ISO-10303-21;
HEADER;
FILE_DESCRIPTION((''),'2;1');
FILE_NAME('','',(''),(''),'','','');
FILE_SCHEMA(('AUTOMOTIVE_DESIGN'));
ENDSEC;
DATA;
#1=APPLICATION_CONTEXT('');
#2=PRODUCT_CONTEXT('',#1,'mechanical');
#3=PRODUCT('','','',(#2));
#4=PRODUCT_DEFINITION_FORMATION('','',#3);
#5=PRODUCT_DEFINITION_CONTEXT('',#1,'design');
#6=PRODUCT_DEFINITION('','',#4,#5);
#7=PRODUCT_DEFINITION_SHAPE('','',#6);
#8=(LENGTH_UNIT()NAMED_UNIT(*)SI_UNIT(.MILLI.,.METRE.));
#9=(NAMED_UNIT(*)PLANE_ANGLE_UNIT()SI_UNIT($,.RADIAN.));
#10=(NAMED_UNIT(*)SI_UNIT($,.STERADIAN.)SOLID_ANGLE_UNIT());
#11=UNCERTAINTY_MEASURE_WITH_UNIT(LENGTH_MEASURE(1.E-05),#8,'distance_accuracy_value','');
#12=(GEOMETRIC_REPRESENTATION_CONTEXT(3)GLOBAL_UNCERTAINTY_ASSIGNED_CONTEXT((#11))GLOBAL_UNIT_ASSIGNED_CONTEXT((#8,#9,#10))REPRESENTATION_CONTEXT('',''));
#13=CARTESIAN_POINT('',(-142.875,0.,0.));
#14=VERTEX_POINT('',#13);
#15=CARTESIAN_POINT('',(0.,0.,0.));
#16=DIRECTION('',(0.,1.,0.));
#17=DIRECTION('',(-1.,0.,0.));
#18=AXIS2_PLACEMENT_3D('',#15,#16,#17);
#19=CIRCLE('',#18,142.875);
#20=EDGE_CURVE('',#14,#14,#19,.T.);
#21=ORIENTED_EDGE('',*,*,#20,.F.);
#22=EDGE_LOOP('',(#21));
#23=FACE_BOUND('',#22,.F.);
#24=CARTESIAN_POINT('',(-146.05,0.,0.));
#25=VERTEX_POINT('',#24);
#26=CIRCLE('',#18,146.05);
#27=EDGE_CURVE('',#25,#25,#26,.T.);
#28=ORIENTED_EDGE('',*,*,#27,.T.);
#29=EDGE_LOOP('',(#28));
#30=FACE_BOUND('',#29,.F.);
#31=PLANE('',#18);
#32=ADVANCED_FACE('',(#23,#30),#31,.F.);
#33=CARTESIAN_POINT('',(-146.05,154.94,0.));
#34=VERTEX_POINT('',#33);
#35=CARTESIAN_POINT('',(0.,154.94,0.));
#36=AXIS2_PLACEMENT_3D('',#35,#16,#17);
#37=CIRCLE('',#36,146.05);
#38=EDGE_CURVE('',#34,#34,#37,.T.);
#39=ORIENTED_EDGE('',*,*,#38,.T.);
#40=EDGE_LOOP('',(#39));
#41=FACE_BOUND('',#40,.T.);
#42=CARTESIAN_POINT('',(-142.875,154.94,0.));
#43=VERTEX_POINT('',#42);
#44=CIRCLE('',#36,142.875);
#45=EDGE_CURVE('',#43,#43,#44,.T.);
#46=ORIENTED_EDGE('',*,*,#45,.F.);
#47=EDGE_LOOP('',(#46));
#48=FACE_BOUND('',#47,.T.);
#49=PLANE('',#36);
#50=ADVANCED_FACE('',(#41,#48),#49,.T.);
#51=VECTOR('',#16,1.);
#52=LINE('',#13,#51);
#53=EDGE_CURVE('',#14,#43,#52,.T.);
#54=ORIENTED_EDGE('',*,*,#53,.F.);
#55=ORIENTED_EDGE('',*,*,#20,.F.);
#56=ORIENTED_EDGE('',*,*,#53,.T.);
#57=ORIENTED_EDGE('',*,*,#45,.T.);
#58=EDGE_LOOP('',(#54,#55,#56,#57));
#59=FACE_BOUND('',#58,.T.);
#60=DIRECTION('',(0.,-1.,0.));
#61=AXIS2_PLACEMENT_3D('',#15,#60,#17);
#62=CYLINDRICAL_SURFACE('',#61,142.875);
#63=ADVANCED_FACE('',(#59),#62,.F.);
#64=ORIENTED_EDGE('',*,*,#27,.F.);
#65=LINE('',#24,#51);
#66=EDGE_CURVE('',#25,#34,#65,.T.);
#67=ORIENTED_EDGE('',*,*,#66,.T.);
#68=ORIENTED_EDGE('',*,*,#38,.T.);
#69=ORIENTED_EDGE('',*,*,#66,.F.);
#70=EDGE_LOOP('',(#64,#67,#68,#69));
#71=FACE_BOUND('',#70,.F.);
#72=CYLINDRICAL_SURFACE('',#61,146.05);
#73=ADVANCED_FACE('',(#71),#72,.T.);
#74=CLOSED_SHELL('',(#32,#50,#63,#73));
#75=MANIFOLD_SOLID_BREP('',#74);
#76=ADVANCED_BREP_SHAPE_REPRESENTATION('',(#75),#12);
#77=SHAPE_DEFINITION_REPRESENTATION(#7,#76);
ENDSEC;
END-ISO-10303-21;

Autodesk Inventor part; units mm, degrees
sketch "Sketch1" plane through (0, 0, 0) normal (0, 1, 0) x (-1, 0, 0)
  circle A0 centre (0, 0) radius 142.875
  circle A1 centre (0, 0) radius 146.05
  circle A2 centre (0, 0) radius 139.7 construction
  dimension "interiorDiam" = 285.75
  dimension "exteriorDiam" = 292.1
  dimension "frisbeeDiam" = 279.4
extrude "Extrusion1" add sketch "Sketch1" along normal blind 154.94
properties part number "FrisbeeHopperV02" material "PC/ABS Plastic"
